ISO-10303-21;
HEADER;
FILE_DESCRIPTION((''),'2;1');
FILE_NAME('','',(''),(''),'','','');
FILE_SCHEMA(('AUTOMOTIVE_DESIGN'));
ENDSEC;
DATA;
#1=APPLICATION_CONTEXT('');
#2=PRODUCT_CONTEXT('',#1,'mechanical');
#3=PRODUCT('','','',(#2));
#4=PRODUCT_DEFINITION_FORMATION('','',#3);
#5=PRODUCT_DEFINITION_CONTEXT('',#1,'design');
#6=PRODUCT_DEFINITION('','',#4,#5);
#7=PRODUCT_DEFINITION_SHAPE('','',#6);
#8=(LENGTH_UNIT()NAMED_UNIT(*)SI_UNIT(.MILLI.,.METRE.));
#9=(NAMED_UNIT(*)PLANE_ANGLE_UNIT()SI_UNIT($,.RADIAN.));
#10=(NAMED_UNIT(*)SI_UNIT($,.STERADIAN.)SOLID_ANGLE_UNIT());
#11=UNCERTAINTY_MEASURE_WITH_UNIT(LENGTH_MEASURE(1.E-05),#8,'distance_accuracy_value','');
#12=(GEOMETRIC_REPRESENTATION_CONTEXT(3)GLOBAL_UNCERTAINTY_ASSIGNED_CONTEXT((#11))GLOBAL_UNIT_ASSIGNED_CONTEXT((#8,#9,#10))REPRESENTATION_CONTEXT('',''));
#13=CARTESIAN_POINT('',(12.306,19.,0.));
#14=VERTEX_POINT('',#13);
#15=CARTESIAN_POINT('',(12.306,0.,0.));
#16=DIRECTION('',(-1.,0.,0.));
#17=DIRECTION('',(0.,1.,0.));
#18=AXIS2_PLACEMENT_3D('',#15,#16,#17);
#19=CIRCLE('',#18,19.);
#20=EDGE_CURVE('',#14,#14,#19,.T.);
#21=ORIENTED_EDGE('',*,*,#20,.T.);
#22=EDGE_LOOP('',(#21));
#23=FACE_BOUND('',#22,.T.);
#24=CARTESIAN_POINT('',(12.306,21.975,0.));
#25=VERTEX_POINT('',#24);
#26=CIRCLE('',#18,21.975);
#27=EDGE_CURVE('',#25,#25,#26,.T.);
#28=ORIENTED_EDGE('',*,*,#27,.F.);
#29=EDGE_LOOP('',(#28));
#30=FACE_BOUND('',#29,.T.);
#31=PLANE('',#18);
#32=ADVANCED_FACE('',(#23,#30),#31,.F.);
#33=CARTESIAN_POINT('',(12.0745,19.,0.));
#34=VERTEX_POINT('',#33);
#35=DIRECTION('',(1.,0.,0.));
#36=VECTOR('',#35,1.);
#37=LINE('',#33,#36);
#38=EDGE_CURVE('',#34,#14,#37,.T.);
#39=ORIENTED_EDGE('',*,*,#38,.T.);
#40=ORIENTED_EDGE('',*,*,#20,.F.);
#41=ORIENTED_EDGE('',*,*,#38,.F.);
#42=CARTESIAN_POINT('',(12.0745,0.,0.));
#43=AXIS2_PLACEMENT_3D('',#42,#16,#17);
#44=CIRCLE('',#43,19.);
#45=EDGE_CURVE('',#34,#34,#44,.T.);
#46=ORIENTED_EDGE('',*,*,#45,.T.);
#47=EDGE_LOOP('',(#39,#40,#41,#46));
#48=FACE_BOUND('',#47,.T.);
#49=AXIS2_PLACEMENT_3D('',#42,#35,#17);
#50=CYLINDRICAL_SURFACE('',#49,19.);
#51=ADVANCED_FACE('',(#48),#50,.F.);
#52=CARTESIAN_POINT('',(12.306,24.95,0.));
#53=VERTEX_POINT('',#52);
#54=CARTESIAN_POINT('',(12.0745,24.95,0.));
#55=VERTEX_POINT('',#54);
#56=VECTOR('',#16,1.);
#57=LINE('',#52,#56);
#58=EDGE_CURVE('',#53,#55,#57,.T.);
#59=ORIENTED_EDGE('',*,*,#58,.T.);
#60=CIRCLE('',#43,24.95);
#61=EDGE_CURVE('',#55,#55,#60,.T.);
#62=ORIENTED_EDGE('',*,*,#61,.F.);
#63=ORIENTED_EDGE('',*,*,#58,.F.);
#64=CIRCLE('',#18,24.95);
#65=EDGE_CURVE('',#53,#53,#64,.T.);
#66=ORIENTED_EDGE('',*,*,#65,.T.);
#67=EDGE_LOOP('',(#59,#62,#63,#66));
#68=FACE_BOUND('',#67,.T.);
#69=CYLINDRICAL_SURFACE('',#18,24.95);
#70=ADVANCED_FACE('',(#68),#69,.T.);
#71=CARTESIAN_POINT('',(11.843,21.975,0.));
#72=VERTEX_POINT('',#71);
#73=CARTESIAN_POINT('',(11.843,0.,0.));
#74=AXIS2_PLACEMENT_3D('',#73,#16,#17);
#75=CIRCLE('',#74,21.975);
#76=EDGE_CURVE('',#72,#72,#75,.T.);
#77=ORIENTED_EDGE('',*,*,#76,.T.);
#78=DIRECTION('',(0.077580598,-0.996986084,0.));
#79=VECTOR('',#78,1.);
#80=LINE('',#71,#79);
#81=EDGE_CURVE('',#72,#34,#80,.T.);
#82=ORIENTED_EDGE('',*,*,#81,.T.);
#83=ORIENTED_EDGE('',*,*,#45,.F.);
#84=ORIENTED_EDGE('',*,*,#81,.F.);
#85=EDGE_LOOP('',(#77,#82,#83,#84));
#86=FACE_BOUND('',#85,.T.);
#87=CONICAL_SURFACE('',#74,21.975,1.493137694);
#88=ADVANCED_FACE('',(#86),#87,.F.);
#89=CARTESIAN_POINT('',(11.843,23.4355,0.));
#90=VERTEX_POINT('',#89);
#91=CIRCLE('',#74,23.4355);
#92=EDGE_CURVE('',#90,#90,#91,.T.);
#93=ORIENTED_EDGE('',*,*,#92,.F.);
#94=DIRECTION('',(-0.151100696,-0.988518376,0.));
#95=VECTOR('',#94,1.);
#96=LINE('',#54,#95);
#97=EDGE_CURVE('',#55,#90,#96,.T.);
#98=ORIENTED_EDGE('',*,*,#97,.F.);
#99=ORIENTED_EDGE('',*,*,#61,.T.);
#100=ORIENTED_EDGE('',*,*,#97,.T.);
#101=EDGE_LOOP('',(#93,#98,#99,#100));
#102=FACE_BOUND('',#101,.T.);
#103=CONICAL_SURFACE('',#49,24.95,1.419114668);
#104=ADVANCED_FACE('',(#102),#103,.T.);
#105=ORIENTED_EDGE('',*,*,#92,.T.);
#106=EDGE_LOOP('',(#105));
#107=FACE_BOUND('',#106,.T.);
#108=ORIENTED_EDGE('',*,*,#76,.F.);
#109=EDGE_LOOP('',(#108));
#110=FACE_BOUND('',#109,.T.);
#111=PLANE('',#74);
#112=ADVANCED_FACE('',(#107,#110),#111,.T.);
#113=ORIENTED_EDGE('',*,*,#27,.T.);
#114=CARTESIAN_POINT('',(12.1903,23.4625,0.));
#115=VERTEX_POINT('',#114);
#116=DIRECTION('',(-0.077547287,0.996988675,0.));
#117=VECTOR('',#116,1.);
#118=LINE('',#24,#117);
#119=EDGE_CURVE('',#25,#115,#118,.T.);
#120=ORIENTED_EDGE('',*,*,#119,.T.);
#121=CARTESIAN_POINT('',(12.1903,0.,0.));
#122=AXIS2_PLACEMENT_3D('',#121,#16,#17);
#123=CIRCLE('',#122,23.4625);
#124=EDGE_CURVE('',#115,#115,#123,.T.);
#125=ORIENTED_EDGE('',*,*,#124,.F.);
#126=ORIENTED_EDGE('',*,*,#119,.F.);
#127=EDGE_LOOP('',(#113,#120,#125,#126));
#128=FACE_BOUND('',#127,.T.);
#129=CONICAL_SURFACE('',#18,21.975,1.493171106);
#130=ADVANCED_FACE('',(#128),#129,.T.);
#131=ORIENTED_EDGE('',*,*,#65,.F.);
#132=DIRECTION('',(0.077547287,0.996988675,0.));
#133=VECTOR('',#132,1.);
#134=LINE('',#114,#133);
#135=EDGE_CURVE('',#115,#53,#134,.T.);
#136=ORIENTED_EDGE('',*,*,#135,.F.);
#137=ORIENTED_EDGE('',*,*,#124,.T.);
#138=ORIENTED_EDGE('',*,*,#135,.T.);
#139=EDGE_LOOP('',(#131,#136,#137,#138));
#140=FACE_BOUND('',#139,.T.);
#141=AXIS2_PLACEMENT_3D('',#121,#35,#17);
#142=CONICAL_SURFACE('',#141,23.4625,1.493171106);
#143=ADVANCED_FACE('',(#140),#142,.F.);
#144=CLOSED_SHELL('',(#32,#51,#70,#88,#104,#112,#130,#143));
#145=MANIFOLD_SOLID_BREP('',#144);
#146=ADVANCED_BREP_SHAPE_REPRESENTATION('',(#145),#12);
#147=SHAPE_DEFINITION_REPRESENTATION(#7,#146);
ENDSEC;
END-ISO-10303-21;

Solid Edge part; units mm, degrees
sketch "Sketch1" plane through (0, 0, 0) normal (0, 0, 1) x (1, 0, 0)
  line L0 (11.843, 23.4355) -> (11.843, 21.975)
  line L1 (11.843, 21.975) -> (12.0745, 19)
  line L2 (12.0745, 19) -> (12.306, 19)
  line L3 (12.306, 19) -> (12.306, 21.975)
  line L4 (12.306, 21.975) -> (12.1903, 23.4625)
  line L5 (12.1903, 23.4625) -> (12.306, 24.95)
  line L6 (12.306, 24.95) -> (12.0745, 24.95)
  line L7 (12.0745, 24.95) -> (11.843, 23.4355)
revolve "RevolvedProtrusion1" add sketch "Sketch1" angle 360 about axis through (50, 0, 0) along (-1, 0, 0)
properties material "Steel"
